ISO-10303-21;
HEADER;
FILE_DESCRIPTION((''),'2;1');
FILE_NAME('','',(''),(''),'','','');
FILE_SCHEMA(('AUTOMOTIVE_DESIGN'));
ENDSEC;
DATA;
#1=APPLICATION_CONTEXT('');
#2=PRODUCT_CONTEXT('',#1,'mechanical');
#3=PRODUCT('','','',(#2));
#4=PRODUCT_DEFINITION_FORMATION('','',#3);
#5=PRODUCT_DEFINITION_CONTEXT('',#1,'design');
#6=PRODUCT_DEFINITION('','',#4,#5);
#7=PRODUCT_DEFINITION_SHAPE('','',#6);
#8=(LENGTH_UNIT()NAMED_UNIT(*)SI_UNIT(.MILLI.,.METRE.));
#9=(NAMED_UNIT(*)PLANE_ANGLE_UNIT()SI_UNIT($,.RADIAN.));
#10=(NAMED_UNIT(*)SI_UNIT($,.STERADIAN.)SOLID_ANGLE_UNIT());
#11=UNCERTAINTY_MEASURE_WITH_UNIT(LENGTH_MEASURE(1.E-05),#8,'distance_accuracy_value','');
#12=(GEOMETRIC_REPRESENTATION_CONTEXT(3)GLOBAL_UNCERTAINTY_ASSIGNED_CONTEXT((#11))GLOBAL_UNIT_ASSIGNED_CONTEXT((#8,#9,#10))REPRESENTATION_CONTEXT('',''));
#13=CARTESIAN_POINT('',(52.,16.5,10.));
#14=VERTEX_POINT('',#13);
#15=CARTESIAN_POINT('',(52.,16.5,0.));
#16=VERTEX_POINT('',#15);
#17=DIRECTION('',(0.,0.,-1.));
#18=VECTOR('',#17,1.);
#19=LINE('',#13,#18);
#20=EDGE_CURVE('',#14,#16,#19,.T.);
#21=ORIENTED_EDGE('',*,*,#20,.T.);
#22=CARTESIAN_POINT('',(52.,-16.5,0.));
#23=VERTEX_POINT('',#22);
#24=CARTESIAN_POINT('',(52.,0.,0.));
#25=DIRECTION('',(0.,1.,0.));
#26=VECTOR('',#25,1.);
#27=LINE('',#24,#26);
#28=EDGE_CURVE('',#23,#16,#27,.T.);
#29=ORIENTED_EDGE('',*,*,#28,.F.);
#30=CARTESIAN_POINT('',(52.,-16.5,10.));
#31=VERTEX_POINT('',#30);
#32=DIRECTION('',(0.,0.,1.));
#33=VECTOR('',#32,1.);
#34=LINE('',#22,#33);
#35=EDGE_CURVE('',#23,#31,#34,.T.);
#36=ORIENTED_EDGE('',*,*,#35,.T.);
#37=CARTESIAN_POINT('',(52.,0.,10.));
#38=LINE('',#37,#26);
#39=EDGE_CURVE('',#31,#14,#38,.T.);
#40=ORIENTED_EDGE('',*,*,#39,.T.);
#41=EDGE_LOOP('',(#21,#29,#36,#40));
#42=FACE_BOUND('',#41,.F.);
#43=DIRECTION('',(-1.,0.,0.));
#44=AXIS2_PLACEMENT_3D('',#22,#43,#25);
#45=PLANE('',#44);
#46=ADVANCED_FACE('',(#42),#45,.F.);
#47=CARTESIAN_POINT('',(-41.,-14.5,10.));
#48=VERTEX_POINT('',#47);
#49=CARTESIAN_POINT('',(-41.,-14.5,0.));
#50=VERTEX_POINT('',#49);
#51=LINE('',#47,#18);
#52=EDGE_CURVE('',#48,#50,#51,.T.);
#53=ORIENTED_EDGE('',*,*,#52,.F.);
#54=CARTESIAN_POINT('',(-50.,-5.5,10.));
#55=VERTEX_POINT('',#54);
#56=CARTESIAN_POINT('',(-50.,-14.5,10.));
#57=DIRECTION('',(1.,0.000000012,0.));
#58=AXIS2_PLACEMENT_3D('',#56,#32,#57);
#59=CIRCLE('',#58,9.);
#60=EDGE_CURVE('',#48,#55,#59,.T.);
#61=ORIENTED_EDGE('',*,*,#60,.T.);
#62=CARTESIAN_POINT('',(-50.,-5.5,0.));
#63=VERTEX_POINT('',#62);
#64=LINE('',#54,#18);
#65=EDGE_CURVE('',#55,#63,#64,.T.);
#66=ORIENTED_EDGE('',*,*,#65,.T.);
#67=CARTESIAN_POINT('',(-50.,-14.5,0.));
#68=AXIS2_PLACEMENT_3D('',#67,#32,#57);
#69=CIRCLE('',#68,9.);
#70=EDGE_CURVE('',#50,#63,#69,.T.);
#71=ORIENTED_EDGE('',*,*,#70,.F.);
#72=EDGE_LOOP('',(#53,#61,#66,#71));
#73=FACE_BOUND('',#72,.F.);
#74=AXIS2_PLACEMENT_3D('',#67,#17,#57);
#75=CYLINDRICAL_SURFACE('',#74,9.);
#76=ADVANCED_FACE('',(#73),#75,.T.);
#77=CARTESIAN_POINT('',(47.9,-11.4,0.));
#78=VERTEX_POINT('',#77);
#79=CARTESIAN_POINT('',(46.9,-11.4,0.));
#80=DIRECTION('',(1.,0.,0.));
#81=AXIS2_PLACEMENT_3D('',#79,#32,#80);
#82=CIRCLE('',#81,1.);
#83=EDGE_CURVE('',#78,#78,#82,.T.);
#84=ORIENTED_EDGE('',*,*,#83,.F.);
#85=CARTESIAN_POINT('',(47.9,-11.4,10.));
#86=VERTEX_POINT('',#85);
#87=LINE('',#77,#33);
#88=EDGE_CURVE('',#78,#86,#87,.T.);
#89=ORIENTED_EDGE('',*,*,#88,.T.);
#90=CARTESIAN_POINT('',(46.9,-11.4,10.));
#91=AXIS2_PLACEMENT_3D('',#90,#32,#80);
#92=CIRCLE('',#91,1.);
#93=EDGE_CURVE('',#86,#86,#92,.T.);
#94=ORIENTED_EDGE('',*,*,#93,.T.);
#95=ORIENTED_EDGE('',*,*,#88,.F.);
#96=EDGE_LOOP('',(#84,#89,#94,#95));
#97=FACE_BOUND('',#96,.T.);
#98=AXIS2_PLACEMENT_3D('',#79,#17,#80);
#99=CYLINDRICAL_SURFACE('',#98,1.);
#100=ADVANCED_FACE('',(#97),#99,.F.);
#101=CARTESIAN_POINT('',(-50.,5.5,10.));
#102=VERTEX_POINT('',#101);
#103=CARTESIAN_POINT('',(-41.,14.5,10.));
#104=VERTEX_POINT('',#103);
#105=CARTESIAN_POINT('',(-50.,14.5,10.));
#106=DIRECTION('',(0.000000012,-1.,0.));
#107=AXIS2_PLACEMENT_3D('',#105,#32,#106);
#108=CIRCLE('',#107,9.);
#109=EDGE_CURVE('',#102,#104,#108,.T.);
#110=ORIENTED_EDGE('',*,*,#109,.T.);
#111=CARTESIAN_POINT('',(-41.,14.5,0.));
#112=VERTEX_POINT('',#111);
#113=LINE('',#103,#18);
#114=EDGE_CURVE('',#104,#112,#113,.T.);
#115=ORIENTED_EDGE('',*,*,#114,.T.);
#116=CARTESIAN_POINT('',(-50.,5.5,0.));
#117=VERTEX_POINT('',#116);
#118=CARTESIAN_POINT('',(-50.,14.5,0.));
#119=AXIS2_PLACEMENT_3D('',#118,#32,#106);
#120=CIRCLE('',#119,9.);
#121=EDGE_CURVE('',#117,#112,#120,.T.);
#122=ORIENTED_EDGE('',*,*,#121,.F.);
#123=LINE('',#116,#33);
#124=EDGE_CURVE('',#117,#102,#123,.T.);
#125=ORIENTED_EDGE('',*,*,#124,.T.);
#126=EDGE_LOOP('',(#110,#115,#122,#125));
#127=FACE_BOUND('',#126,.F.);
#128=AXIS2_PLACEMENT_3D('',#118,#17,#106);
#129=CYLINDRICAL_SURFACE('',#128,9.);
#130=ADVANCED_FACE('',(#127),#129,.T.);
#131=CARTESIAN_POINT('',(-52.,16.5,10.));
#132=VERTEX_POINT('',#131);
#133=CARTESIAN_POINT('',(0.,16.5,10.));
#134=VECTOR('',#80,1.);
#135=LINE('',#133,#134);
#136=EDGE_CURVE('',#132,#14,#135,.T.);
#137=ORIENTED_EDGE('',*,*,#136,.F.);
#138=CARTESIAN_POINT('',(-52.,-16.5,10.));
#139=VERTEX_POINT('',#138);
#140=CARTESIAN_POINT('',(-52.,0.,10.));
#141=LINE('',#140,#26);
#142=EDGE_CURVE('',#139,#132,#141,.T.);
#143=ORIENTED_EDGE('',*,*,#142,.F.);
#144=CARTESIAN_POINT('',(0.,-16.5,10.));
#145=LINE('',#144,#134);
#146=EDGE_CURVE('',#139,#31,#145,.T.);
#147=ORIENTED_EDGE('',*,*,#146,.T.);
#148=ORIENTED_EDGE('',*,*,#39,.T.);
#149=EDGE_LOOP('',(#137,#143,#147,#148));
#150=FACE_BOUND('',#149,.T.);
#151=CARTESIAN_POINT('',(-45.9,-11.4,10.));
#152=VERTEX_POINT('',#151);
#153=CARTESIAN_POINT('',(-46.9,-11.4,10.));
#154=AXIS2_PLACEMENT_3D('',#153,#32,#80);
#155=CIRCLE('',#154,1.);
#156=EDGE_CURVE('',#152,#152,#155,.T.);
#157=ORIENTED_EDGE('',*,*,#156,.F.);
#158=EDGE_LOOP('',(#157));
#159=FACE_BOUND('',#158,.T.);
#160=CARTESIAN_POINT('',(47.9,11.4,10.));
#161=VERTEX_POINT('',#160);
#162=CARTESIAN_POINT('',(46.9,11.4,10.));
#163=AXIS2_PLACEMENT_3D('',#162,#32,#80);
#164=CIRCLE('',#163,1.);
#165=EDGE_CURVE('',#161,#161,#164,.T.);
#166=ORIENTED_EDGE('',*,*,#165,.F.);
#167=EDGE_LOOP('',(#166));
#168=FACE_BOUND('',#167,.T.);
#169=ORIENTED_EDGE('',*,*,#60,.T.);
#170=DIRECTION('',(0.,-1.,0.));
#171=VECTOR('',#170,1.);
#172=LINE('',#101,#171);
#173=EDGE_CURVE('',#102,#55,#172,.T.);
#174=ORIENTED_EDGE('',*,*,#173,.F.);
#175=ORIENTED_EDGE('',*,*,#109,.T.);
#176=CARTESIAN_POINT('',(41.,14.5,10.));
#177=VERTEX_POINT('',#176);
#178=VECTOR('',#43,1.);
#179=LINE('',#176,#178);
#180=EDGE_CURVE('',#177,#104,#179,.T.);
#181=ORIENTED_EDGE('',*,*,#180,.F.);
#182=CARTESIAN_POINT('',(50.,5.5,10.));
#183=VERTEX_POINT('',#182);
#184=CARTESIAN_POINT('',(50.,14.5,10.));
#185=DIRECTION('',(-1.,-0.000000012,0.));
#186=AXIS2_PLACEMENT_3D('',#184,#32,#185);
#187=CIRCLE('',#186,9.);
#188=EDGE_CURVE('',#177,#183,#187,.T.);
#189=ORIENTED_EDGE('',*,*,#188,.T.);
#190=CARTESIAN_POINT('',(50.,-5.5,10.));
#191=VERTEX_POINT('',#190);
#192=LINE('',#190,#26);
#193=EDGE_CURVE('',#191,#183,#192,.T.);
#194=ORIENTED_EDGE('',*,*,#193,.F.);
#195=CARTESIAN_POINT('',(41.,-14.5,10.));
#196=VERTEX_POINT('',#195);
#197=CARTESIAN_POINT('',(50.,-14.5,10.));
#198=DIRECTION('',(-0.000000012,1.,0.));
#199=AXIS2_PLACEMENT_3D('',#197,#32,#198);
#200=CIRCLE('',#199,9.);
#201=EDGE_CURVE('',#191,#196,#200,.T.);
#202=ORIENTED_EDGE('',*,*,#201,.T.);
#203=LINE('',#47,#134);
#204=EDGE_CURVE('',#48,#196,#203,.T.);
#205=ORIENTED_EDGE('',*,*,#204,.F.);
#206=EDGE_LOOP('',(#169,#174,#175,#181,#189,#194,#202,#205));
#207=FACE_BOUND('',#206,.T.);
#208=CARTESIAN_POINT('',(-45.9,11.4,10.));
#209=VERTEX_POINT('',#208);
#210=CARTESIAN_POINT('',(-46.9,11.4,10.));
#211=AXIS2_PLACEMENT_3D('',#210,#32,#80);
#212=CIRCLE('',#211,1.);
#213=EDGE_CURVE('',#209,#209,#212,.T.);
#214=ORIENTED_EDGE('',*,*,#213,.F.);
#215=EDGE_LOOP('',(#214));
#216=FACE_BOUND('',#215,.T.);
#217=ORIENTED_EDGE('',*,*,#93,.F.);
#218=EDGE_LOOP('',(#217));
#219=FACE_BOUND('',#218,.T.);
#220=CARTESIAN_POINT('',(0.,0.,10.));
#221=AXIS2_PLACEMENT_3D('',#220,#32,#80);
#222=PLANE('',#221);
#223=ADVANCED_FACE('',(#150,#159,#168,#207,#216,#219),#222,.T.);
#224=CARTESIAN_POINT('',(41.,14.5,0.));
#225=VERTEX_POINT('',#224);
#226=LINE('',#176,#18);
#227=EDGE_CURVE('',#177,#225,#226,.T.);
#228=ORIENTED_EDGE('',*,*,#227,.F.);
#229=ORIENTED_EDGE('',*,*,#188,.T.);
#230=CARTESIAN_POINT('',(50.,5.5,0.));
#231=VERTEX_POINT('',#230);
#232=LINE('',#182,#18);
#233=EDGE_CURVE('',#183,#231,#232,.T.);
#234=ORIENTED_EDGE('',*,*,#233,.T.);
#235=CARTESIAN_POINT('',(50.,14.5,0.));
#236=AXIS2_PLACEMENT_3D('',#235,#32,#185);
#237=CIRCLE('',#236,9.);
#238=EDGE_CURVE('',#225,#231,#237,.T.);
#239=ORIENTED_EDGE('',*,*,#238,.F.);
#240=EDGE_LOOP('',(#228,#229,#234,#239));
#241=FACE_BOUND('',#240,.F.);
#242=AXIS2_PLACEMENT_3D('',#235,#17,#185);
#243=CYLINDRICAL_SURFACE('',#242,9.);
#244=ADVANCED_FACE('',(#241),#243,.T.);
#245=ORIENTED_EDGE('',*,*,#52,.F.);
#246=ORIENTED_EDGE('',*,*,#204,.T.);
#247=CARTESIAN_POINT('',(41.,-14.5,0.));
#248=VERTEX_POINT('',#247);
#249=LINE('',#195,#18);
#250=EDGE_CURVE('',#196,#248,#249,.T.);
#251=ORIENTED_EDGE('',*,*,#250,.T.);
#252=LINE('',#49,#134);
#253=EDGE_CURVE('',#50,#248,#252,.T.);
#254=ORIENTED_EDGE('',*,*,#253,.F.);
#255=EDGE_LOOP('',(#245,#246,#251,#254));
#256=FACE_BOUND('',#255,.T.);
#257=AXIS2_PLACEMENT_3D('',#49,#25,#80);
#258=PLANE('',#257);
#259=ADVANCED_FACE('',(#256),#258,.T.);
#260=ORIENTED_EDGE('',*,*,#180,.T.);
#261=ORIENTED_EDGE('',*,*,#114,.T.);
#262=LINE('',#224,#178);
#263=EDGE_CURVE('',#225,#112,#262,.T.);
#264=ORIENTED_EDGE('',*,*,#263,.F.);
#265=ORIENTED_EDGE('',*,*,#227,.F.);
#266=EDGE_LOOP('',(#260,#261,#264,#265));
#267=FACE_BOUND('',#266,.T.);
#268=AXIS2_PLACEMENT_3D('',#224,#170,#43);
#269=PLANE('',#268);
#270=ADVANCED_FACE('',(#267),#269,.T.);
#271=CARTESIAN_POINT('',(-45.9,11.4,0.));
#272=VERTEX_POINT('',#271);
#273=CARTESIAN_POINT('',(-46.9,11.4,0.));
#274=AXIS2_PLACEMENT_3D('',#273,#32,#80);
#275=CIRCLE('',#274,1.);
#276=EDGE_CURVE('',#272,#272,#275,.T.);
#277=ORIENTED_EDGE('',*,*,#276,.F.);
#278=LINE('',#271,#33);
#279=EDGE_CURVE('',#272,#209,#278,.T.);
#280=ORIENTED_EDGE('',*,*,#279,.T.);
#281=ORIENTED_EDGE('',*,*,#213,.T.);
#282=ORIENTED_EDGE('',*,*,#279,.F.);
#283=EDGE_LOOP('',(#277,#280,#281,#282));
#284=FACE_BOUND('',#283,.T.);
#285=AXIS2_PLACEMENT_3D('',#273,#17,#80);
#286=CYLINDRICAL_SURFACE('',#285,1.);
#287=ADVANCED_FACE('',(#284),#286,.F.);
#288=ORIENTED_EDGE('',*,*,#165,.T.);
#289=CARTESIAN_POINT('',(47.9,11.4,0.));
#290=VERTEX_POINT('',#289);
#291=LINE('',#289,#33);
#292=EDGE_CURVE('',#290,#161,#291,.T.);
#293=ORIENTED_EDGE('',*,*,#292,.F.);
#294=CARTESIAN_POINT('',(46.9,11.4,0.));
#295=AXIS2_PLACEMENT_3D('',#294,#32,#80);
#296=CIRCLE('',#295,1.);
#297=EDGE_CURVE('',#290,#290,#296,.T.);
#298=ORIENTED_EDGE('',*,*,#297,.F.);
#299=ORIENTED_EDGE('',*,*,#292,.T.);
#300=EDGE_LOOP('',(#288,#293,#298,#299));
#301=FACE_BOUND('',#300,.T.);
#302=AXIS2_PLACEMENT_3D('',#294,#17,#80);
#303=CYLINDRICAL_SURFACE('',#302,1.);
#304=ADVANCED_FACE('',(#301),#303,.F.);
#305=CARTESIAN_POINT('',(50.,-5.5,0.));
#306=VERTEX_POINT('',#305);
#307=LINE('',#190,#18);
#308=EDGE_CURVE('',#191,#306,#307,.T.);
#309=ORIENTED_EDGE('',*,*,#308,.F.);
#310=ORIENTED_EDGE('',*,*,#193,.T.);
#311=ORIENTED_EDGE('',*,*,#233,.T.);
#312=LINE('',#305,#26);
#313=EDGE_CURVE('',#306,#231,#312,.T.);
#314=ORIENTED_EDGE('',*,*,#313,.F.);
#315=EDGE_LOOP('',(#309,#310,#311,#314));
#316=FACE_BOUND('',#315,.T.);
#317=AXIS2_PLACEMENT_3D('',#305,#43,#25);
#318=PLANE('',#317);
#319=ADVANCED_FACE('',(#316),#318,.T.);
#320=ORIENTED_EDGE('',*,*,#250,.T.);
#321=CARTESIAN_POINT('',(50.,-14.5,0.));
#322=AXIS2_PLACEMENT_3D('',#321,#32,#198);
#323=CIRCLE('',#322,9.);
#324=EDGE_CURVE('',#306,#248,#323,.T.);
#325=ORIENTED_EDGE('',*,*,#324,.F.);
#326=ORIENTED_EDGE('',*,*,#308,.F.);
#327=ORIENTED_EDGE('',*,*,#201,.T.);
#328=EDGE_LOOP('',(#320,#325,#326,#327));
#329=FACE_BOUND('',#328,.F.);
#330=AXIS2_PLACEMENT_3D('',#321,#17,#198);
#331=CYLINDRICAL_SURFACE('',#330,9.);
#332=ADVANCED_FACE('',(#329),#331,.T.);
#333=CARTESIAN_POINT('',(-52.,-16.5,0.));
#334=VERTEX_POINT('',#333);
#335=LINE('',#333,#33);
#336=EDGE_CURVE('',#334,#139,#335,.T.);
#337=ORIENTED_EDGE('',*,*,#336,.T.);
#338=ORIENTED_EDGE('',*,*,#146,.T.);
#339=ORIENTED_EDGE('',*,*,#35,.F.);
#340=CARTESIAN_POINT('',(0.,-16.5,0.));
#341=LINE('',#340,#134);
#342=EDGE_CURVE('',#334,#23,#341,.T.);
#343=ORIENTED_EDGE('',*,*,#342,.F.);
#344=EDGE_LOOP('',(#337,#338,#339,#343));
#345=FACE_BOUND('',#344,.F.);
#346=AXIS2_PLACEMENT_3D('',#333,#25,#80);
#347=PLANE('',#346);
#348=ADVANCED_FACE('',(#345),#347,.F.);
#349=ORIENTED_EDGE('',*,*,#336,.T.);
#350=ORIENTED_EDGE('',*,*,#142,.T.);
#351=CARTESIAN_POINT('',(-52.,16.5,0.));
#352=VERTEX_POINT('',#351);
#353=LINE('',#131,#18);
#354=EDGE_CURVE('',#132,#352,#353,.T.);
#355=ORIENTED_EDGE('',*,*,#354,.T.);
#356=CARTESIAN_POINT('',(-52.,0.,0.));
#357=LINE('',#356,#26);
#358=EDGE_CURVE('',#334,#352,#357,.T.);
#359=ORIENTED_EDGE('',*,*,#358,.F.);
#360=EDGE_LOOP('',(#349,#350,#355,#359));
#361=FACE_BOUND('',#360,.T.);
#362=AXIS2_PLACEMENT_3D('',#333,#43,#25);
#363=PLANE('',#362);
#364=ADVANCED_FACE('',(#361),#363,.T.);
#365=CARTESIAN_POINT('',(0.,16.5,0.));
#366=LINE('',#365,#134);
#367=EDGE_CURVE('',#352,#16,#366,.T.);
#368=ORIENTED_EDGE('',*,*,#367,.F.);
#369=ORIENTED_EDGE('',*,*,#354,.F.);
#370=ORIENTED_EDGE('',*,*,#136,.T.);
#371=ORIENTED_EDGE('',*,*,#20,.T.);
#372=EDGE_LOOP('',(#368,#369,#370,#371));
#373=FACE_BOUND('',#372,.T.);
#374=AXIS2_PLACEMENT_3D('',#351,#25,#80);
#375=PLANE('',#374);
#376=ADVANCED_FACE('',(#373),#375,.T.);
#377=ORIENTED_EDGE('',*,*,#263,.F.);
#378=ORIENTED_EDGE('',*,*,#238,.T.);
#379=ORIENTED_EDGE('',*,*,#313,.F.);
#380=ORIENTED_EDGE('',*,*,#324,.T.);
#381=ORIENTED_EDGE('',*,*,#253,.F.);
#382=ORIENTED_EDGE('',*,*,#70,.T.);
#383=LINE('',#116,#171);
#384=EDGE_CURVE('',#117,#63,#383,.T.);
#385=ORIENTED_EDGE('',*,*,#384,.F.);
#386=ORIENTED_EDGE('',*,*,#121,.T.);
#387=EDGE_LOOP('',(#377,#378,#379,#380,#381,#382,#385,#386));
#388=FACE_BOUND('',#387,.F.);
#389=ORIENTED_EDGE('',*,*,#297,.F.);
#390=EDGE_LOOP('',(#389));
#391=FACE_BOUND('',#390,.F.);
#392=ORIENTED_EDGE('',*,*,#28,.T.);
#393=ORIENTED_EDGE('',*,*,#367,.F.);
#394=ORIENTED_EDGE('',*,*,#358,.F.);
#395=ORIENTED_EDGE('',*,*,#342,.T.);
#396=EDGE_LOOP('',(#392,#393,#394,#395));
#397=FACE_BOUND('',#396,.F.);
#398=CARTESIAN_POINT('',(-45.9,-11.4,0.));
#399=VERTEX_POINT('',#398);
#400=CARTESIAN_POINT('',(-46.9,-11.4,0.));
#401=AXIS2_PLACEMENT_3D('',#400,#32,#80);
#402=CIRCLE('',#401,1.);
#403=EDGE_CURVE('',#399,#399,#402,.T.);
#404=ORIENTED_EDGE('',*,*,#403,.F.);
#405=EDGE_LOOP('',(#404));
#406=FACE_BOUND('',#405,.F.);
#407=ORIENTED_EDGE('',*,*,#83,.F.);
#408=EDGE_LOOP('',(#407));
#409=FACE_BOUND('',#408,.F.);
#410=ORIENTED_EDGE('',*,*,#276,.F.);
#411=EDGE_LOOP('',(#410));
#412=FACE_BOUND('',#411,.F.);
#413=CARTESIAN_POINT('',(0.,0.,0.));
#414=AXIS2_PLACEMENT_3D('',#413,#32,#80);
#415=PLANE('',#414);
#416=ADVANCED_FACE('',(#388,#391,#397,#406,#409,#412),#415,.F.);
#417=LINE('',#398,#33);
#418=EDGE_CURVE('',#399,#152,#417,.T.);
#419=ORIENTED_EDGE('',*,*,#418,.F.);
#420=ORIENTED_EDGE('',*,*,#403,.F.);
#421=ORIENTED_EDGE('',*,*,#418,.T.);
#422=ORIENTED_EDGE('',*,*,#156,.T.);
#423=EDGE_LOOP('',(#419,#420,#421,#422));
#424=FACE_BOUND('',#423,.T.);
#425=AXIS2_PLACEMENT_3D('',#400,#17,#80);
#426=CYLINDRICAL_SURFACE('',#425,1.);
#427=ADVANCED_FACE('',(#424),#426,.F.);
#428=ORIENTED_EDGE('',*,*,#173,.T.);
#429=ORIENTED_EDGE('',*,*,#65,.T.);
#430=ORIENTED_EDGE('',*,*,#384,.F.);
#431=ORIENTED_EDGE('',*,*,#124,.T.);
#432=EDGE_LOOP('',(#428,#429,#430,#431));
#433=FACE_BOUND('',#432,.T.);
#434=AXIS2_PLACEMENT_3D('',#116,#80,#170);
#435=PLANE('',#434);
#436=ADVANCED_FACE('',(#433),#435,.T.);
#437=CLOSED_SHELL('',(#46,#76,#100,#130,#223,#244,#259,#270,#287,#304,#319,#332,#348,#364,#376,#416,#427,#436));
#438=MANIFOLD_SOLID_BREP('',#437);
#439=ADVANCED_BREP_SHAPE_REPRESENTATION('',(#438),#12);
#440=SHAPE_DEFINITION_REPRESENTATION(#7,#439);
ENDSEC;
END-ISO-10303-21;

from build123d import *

# Parameters (mm, degrees)
SKETCH_W     = 104
SKETCH_H     = 33
SKETCH_R     = 1
PAD_DEPTH    = 2
PAD001_DEPTH = 10


with BuildPart() as part:
    # Sketch → Pad (new body)
    with BuildSketch(Plane.XY):
        Rectangle(SKETCH_W, SKETCH_H)
        with Locations((46.9, -11.4)):
            Circle(SKETCH_R, mode=Mode.SUBTRACT)
        with Locations((-46.9, -11.4)):
            Circle(SKETCH_R, mode=Mode.SUBTRACT)
        with Locations((-46.9, 11.4)):
            Circle(SKETCH_R, mode=Mode.SUBTRACT)
        with Locations((46.9, 11.4)):
            Circle(SKETCH_R, mode=Mode.SUBTRACT)
        with BuildLine():
            ThreePointArc((-50, 5.5), (-43.636039, 8.136039), (-41, 14.5))
            Line((41, 14.5), (-41, 14.5))
            ThreePointArc((41, 14.5), (43.636039, 8.136039), (50, 5.5))
            Line((50, -5.5), (50, 5.5))
            ThreePointArc((50, -5.5), (43.636039, -8.136039), (41, -14.5))
            Line((-41, -14.5), (41, -14.5))
            ThreePointArc((-41, -14.5), (-43.636039, -8.136039), (-50, -5.5))
            Line((-50, 5.5), (-50, -5.5))
        make_face(mode=Mode.SUBTRACT)
    extrude(amount=PAD_DEPTH)

    # Sketch → Pad001 (join)
    with BuildSketch(Plane.XY):
        Rectangle(SKETCH_W, SKETCH_H)
        with Locations((46.9, -11.4)):
            Circle(SKETCH_R, mode=Mode.SUBTRACT)
        with Locations((-46.9, -11.4)):
            Circle(SKETCH_R, mode=Mode.SUBTRACT)
        with Locations((-46.9, 11.4)):
            Circle(SKETCH_R, mode=Mode.SUBTRACT)
        with Locations((46.9, 11.4)):
            Circle(SKETCH_R, mode=Mode.SUBTRACT)
        with BuildLine():
            ThreePointArc((-50, 5.5), (-43.636039, 8.136039), (-41, 14.5))
            Line((41, 14.5), (-41, 14.5))
            ThreePointArc((41, 14.5), (43.636039, 8.136039), (50, 5.5))
            Line((50, -5.5), (50, 5.5))
            ThreePointArc((50, -5.5), (43.636039, -8.136039), (41, -14.5))
            Line((-41, -14.5), (41, -14.5))
            ThreePointArc((-41, -14.5), (-43.636039, -8.136039), (-50, -5.5))
            Line((-50, 5.5), (-50, -5.5))
        make_face(mode=Mode.SUBTRACT)
    extrude(amount=PAD001_DEPTH)


solid = part.part
